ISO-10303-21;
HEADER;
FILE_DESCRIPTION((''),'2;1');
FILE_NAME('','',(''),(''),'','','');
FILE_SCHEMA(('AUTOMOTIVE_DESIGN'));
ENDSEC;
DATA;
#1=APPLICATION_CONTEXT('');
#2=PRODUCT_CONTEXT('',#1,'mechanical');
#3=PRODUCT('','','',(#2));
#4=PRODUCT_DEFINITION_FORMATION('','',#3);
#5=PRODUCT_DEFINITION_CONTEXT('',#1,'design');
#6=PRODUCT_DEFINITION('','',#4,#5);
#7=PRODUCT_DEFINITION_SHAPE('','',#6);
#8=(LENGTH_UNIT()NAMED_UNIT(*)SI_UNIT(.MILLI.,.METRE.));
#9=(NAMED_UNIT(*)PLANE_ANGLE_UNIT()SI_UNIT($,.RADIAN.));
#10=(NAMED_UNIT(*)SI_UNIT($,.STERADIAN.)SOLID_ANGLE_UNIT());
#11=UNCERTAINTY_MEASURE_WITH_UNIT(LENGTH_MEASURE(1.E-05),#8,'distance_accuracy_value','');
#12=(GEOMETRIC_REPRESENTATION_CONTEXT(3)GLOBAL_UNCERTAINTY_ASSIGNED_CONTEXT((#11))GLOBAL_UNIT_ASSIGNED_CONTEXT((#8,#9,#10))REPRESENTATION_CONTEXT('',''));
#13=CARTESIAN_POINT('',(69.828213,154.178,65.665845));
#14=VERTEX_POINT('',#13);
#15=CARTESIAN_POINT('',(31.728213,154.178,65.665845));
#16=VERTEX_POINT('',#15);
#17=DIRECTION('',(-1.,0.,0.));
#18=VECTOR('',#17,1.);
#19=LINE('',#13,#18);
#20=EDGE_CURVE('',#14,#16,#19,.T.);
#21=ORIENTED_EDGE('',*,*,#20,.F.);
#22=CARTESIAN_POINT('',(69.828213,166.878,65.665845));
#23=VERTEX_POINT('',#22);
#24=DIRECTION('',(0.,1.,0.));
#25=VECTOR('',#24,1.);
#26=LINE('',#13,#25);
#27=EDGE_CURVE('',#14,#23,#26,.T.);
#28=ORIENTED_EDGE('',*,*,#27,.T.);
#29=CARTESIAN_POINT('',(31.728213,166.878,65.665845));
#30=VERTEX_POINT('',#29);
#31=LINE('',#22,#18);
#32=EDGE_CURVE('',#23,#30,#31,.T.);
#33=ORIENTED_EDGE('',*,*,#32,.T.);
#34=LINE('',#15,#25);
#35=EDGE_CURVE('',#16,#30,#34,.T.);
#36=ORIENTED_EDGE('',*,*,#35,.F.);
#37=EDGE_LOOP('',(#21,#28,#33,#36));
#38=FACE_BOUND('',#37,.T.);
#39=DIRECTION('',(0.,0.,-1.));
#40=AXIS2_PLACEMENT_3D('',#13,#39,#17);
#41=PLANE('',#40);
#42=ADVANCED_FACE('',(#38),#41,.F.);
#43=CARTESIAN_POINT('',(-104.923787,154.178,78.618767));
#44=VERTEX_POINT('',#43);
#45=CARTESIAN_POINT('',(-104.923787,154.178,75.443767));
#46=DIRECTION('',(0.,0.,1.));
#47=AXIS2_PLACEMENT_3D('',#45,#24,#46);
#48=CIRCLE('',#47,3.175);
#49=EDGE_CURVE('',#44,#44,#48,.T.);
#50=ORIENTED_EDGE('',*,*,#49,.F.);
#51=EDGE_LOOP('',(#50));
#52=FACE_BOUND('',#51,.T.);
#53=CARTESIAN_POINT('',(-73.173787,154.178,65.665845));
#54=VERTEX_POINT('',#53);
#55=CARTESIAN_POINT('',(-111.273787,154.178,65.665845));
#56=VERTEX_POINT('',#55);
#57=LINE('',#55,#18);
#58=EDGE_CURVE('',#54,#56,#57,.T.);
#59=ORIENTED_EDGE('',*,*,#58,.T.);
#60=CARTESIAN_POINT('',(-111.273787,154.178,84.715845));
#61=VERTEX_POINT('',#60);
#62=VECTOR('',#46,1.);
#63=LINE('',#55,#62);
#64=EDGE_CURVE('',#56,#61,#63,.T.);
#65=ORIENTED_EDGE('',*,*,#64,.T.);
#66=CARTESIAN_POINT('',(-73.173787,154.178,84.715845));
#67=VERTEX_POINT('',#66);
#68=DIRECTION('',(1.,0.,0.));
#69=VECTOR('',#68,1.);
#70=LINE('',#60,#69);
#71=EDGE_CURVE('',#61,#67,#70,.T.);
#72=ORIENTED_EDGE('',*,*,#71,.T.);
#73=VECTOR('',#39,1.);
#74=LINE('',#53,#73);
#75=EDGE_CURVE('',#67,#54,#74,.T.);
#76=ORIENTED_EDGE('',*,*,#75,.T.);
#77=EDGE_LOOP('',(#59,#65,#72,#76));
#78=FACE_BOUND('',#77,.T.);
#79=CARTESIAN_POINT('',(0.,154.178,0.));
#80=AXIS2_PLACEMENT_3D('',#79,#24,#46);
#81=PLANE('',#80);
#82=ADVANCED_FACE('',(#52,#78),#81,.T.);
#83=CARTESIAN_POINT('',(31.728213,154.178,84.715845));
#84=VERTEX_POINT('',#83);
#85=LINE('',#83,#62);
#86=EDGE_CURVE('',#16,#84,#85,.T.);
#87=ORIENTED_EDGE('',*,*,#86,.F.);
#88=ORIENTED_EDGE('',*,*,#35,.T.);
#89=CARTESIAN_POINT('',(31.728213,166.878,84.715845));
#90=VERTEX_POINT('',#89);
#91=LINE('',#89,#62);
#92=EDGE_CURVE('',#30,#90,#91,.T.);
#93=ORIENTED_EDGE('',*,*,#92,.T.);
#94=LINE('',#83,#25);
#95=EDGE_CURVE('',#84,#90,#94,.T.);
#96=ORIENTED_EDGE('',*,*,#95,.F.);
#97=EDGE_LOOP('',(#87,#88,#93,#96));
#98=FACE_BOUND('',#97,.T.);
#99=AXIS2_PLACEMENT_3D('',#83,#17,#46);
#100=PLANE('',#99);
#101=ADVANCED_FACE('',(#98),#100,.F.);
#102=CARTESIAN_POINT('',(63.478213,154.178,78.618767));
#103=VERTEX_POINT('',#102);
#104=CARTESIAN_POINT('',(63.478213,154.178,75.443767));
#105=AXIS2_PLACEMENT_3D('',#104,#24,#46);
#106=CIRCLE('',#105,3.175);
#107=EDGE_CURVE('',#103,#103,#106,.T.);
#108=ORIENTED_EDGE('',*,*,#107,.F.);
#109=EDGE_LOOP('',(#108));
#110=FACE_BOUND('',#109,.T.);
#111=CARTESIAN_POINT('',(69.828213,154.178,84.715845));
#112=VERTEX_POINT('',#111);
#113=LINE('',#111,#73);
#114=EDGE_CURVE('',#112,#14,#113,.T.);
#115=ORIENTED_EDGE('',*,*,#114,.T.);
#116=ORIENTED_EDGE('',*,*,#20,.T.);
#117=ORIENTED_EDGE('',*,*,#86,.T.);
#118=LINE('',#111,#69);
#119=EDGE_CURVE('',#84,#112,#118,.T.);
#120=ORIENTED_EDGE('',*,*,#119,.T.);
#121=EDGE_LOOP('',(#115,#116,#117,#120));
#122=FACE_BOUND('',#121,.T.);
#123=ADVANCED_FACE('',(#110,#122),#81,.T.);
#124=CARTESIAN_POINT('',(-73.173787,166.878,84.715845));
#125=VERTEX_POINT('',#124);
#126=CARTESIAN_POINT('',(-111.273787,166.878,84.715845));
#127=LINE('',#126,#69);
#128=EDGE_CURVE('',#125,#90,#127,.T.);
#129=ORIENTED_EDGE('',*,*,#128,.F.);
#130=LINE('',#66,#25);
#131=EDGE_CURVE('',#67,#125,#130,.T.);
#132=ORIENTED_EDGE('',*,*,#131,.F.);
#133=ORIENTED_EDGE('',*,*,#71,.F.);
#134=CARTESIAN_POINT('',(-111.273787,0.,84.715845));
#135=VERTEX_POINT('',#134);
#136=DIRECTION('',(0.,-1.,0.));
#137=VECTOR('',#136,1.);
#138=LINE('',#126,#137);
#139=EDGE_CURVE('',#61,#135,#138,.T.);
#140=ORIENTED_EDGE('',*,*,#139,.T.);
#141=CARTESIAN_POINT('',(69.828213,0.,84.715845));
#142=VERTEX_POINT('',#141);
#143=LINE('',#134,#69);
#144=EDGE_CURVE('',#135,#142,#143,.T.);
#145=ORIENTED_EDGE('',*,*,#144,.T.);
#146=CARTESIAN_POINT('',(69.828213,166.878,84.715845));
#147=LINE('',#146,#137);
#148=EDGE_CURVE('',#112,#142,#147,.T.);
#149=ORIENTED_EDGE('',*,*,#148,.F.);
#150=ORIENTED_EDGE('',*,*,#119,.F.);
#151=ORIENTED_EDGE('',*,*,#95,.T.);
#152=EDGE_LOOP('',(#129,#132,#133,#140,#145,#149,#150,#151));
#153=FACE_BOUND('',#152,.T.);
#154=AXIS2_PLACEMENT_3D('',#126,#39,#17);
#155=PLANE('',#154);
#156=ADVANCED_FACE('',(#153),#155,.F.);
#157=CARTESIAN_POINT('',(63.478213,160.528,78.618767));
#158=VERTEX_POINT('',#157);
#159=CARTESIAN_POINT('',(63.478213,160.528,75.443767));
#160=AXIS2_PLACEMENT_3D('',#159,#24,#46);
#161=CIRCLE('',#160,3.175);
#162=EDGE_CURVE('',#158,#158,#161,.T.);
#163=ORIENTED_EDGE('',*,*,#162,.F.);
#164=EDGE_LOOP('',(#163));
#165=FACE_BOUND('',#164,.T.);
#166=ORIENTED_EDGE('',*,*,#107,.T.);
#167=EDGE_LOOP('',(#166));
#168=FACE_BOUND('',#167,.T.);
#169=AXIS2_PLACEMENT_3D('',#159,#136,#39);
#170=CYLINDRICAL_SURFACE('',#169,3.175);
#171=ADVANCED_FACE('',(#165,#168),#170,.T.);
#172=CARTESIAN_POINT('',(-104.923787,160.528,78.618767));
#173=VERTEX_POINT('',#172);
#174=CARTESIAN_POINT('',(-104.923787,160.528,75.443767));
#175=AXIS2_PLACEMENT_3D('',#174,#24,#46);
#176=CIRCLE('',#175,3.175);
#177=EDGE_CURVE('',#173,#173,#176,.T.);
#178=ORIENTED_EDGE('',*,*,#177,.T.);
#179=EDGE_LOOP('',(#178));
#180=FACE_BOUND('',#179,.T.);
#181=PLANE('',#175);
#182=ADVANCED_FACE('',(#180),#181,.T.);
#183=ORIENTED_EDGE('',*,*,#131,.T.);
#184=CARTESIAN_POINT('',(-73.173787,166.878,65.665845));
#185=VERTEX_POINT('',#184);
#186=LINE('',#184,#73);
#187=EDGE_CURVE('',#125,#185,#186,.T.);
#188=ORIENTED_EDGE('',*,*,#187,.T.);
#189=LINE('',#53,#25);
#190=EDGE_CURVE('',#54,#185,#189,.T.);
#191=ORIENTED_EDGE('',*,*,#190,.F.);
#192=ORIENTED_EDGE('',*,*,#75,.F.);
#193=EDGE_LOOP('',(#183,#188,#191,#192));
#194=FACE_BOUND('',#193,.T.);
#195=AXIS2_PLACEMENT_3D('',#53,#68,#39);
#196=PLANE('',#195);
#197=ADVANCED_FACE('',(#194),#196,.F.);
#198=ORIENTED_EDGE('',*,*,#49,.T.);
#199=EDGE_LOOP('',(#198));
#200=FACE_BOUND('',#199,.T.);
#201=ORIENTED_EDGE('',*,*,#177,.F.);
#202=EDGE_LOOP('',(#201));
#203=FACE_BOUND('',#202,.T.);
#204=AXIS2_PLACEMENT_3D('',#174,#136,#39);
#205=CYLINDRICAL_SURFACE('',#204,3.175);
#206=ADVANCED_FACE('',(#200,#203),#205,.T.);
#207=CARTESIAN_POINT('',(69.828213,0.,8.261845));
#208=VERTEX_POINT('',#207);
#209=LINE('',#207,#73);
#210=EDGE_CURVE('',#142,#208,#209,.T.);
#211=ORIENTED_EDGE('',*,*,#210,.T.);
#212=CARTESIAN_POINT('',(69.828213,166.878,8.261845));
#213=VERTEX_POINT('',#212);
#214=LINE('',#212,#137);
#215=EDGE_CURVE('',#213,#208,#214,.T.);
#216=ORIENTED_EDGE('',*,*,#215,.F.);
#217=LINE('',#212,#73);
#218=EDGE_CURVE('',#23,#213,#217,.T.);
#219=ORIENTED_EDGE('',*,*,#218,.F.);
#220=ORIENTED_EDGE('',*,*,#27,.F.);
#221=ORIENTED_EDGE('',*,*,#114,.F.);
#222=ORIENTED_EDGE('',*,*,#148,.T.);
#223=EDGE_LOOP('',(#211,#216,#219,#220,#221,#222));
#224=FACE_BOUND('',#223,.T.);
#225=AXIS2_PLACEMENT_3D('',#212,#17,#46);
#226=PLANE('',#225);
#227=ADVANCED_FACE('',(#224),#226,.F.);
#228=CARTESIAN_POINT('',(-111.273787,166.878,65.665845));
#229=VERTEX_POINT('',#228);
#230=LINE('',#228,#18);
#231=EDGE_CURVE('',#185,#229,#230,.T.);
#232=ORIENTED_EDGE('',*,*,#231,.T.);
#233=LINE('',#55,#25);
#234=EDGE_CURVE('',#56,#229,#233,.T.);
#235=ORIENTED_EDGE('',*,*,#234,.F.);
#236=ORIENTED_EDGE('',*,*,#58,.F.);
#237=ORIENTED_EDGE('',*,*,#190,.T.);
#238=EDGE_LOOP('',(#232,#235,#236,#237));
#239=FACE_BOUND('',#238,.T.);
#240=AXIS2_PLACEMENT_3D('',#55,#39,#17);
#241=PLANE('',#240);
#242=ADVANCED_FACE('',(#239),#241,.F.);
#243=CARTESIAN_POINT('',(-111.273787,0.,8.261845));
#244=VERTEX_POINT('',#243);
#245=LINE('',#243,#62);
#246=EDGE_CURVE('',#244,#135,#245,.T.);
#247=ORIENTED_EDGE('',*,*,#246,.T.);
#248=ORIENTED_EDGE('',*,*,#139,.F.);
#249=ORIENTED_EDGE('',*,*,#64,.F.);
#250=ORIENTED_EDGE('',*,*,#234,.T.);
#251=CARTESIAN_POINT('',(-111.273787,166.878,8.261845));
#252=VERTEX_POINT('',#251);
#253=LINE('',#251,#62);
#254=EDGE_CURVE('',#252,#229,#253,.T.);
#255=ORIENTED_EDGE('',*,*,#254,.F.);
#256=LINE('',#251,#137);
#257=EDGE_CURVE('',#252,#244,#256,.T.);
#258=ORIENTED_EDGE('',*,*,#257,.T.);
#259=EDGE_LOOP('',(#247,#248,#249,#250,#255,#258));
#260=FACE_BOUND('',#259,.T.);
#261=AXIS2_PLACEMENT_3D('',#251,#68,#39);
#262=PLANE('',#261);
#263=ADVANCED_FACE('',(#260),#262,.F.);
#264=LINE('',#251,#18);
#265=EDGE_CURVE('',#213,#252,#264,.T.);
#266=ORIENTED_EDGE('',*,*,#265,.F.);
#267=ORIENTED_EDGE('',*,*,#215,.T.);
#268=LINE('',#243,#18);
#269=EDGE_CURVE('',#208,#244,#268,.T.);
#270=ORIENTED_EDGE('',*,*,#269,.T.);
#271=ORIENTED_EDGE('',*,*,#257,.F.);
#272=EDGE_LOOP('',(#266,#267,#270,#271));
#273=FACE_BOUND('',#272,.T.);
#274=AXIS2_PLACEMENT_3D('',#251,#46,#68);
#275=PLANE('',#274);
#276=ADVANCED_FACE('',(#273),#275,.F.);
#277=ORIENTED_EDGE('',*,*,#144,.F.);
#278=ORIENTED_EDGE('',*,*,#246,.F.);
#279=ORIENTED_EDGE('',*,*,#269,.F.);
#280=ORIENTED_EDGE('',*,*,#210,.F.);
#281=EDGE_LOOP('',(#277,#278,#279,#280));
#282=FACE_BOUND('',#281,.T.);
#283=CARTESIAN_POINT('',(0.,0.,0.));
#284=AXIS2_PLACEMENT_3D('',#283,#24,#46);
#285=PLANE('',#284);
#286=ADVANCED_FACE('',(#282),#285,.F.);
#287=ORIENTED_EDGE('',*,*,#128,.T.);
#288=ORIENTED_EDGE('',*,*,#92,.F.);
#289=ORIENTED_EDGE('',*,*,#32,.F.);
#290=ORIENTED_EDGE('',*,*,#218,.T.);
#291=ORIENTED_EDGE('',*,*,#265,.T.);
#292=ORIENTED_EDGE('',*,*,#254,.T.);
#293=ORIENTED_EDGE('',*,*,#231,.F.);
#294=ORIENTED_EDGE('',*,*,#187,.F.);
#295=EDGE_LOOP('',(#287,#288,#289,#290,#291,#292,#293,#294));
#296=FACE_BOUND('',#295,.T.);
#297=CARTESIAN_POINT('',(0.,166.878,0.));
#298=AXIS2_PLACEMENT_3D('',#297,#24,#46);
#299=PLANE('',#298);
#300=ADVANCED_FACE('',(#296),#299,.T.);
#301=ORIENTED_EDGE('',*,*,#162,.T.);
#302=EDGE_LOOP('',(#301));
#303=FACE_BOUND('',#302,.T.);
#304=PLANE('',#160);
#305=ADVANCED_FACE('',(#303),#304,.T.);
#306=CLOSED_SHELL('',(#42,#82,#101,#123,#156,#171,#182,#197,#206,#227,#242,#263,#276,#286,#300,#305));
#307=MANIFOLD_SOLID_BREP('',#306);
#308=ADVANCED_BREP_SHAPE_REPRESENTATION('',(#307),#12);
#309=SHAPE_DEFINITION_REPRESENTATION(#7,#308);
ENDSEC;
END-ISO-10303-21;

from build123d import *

# Parameters (mm, degrees)
SKETCH1_W           = 181.102
SKETCH1_H           = 76.454
BOSS_EXTRUDE1_DEPTH = 166.878
SKETCH2_W           = 38.1
SKETCH2_H           = 19.05
CUT_EXTRUDE1_DEPTH  = 12.7
SKETCH3_R           = 3.175
BOSS_EXTRUDE2_DEPTH = 6.35


with BuildPart() as part:
    # Sketch1 → Boss-Extrude1 (new body)
    with BuildSketch(Plane(origin=(0, 0, 0), x_dir=(1, 0, 0), z_dir=(0, 1, 0))):
        with Locations((-20.72278737, -46.488845277)):
            Rectangle(SKETCH1_W, SKETCH1_H)
    extrude(amount=BOSS_EXTRUDE1_DEPTH)

    # Sketch2 → Cut-Extrude1 (cut)
    with BuildSketch(Plane(origin=(0, 166.878, 0), x_dir=(1, 0, 0), z_dir=(0, 1, 0))):
        with Locations((-92.22378737, -75.190845277)):
            Rectangle(SKETCH2_W, SKETCH2_H)
        with Locations((50.77821263, -75.190845277)):
            Rectangle(SKETCH2_W, SKETCH2_H)
    extrude(amount=-CUT_EXTRUDE1_DEPTH, mode=Mode.SUBTRACT)

    # Sketch3 → Boss-Extrude2 (add)
    with BuildSketch(Plane(origin=(0, 154.178, 0), x_dir=(1, 0, 0), z_dir=(0, 1, 0))):
        with Locations((63.47821263, -75.443767272)):
            Circle(SKETCH3_R)
        with Locations((-104.92378737, -75.443767272)):
            Circle(SKETCH3_R)
    extrude(amount=BOSS_EXTRUDE2_DEPTH)


solid = part.part
